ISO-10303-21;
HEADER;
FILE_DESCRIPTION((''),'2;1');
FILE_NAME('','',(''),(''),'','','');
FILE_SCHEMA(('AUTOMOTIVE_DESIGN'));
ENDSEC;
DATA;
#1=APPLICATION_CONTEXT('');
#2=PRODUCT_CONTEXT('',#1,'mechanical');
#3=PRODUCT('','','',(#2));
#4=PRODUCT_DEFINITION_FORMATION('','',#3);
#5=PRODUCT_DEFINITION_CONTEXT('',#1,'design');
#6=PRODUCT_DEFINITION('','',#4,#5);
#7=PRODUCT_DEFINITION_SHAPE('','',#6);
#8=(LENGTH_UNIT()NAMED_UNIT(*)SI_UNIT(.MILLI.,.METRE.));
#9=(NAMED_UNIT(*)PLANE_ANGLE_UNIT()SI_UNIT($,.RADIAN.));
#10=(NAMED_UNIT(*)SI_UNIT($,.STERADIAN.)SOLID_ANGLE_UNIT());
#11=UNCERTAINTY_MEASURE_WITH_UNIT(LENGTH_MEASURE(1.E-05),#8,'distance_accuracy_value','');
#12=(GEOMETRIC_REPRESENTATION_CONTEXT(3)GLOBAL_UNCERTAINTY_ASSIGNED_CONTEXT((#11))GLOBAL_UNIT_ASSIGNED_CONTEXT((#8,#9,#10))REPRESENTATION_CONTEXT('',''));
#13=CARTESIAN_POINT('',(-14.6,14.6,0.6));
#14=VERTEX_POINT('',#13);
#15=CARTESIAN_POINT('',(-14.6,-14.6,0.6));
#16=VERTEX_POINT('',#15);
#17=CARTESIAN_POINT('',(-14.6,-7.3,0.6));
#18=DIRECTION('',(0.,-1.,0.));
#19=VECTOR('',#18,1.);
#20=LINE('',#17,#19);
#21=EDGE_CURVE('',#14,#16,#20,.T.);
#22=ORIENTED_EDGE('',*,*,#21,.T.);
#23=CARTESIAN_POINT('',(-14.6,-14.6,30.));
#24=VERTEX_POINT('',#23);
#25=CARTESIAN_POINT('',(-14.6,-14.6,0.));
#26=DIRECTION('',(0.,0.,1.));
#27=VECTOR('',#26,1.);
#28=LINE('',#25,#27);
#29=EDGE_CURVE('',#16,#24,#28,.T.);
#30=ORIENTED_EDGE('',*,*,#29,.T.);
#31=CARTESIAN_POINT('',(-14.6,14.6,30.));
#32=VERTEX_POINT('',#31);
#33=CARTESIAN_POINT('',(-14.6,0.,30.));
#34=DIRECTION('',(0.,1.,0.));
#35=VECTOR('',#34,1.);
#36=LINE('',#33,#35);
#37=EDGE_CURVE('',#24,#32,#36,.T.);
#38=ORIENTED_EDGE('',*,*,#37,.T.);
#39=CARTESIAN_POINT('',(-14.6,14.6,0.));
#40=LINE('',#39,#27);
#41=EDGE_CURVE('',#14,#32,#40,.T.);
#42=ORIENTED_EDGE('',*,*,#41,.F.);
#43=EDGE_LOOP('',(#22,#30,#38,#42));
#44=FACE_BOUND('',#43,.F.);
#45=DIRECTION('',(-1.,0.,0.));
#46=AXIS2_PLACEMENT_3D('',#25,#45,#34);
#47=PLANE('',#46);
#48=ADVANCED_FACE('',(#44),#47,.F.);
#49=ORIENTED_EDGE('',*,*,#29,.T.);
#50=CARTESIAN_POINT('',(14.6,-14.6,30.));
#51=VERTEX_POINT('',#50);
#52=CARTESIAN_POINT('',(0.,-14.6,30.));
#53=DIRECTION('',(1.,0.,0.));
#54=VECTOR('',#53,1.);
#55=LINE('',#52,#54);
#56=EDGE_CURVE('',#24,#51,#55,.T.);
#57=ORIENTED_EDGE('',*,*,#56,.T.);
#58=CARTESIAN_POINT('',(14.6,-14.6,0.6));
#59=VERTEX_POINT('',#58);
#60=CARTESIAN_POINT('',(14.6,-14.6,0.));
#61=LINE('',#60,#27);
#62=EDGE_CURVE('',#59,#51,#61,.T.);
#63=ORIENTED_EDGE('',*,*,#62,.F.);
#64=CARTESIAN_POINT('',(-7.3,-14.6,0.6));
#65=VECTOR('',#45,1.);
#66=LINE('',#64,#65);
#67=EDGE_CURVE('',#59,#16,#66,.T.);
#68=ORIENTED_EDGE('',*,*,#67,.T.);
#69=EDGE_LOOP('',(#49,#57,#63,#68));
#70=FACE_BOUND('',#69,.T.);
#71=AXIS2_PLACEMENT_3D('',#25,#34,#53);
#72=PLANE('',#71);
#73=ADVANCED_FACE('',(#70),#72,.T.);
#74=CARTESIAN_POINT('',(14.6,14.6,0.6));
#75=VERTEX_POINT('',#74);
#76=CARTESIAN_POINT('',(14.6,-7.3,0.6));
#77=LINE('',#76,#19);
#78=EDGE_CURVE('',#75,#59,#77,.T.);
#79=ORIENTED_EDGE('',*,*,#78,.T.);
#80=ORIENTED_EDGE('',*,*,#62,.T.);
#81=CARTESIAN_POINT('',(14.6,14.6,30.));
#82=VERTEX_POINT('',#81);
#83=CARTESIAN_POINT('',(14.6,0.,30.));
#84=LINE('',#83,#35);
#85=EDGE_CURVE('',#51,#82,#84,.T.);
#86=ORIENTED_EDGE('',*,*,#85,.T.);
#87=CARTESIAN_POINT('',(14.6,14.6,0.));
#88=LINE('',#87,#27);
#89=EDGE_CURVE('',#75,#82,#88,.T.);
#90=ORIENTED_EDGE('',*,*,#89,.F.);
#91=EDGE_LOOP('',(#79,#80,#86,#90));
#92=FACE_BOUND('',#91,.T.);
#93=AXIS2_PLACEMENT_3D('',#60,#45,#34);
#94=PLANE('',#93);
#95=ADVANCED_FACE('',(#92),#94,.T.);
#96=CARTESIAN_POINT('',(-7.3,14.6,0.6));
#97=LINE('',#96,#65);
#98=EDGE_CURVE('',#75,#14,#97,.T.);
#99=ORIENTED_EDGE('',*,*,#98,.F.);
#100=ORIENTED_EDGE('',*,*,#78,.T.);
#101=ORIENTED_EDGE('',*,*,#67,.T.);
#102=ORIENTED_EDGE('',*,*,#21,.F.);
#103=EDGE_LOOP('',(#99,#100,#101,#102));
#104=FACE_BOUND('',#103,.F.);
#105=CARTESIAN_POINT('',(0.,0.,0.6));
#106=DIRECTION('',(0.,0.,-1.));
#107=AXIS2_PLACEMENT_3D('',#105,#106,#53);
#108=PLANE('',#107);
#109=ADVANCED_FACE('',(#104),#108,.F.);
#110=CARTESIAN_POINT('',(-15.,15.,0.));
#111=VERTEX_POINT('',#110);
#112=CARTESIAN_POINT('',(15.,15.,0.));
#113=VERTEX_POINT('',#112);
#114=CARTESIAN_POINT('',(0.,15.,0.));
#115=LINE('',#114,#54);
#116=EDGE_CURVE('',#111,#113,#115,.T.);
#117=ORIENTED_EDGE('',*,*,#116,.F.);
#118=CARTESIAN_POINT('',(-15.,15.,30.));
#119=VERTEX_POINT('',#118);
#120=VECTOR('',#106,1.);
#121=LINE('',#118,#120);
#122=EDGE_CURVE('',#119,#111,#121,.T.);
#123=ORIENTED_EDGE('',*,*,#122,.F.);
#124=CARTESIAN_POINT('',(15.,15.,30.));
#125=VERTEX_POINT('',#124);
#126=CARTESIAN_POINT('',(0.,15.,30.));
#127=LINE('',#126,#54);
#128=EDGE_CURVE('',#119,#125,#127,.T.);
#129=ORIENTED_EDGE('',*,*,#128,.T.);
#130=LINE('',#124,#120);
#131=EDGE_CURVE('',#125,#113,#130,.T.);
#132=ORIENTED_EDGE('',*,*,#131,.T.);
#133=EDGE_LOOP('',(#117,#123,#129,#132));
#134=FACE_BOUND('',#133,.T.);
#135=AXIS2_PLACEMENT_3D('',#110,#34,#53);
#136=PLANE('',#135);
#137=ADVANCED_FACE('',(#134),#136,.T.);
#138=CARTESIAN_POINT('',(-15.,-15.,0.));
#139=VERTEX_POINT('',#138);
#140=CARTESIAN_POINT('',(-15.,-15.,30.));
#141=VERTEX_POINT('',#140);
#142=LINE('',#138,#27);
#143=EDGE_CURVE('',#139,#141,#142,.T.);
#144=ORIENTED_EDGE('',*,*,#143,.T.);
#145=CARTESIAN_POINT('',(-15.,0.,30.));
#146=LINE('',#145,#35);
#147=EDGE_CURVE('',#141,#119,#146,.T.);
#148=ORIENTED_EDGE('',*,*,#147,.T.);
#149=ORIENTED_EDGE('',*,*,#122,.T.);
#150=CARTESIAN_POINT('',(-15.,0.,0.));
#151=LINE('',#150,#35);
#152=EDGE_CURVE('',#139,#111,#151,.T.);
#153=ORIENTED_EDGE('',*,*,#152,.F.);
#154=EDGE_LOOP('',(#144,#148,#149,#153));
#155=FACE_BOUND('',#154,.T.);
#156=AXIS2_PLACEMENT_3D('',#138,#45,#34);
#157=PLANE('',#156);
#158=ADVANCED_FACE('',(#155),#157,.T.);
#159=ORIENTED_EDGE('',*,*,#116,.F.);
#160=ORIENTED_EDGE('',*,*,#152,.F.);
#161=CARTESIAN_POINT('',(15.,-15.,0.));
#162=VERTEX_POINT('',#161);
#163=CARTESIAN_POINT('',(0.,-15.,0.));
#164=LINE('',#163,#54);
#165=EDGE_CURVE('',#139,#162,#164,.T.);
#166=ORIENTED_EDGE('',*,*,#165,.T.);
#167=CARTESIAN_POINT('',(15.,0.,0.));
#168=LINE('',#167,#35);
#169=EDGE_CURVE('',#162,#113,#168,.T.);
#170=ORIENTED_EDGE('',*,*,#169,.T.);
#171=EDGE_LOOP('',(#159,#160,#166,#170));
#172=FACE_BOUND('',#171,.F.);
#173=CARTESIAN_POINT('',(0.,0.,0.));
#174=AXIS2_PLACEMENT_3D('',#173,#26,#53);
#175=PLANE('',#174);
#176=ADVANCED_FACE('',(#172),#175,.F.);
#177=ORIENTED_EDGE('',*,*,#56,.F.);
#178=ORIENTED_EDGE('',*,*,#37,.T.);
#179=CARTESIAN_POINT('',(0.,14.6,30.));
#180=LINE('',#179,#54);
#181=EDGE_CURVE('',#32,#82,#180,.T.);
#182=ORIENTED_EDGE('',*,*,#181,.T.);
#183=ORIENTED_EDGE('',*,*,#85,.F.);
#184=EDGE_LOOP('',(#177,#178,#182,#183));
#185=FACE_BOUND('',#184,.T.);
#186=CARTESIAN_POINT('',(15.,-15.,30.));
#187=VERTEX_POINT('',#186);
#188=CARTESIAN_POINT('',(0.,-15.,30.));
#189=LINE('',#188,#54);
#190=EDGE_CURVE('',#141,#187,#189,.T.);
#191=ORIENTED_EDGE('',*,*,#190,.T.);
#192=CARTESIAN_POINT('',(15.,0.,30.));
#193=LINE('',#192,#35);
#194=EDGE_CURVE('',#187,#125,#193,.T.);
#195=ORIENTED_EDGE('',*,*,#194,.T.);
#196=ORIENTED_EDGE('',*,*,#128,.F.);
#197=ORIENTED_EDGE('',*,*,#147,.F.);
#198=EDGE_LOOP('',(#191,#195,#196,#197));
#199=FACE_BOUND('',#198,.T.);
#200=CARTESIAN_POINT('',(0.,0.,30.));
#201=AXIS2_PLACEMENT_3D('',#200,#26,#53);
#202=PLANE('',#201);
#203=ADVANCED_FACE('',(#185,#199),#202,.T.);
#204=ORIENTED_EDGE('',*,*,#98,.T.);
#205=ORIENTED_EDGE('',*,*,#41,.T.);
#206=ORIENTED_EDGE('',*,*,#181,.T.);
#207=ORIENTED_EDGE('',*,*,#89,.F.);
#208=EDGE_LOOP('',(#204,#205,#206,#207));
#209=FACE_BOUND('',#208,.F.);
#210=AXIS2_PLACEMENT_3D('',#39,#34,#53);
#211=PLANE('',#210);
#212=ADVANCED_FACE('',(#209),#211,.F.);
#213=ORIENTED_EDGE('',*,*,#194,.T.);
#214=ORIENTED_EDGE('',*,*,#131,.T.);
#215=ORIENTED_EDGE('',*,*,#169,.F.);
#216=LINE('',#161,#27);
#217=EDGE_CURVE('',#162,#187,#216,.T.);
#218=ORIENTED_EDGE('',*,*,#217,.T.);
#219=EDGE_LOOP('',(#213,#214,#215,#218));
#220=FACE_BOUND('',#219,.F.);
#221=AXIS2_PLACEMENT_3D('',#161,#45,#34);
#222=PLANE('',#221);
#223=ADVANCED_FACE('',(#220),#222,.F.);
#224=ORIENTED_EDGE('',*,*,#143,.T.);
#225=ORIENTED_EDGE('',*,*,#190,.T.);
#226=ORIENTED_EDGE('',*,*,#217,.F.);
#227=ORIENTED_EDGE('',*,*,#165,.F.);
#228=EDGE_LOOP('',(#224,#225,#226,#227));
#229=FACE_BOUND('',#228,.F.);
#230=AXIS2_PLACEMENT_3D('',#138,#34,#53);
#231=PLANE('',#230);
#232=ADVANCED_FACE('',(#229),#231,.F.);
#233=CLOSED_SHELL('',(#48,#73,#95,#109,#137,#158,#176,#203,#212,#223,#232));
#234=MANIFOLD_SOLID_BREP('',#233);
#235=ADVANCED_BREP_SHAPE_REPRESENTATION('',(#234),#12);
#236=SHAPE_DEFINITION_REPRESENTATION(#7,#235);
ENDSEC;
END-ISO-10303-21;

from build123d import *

# Parameters (mm, degrees)
SKETCH_W     = 30
SKETCH_H     = 30
SKETCH_W_2   = 29.2
SKETCH_H_2   = 29.2
PAD_DEPTH    = 30
SKETCH001_W  = 30
SKETCH001_H  = 30
PAD001_DEPTH = 0.6


with BuildPart() as part:
    # Sketch → Pad (new body)
    with BuildSketch(Plane.XY):
        Rectangle(SKETCH_W, SKETCH_H)
        Rectangle(SKETCH_W_2, SKETCH_H_2, mode=Mode.SUBTRACT)
    extrude(amount=PAD_DEPTH)

    # Sketch001 (on Face9 of Pad) → Pad001 (join)
    with BuildSketch(Plane(origin=(0, 0, 0), x_dir=(1, 0, 0), z_dir=(0, 0, -1))):
        Rectangle(SKETCH001_W, SKETCH001_H)
    extrude(amount=-PAD001_DEPTH)


solid = part.part
